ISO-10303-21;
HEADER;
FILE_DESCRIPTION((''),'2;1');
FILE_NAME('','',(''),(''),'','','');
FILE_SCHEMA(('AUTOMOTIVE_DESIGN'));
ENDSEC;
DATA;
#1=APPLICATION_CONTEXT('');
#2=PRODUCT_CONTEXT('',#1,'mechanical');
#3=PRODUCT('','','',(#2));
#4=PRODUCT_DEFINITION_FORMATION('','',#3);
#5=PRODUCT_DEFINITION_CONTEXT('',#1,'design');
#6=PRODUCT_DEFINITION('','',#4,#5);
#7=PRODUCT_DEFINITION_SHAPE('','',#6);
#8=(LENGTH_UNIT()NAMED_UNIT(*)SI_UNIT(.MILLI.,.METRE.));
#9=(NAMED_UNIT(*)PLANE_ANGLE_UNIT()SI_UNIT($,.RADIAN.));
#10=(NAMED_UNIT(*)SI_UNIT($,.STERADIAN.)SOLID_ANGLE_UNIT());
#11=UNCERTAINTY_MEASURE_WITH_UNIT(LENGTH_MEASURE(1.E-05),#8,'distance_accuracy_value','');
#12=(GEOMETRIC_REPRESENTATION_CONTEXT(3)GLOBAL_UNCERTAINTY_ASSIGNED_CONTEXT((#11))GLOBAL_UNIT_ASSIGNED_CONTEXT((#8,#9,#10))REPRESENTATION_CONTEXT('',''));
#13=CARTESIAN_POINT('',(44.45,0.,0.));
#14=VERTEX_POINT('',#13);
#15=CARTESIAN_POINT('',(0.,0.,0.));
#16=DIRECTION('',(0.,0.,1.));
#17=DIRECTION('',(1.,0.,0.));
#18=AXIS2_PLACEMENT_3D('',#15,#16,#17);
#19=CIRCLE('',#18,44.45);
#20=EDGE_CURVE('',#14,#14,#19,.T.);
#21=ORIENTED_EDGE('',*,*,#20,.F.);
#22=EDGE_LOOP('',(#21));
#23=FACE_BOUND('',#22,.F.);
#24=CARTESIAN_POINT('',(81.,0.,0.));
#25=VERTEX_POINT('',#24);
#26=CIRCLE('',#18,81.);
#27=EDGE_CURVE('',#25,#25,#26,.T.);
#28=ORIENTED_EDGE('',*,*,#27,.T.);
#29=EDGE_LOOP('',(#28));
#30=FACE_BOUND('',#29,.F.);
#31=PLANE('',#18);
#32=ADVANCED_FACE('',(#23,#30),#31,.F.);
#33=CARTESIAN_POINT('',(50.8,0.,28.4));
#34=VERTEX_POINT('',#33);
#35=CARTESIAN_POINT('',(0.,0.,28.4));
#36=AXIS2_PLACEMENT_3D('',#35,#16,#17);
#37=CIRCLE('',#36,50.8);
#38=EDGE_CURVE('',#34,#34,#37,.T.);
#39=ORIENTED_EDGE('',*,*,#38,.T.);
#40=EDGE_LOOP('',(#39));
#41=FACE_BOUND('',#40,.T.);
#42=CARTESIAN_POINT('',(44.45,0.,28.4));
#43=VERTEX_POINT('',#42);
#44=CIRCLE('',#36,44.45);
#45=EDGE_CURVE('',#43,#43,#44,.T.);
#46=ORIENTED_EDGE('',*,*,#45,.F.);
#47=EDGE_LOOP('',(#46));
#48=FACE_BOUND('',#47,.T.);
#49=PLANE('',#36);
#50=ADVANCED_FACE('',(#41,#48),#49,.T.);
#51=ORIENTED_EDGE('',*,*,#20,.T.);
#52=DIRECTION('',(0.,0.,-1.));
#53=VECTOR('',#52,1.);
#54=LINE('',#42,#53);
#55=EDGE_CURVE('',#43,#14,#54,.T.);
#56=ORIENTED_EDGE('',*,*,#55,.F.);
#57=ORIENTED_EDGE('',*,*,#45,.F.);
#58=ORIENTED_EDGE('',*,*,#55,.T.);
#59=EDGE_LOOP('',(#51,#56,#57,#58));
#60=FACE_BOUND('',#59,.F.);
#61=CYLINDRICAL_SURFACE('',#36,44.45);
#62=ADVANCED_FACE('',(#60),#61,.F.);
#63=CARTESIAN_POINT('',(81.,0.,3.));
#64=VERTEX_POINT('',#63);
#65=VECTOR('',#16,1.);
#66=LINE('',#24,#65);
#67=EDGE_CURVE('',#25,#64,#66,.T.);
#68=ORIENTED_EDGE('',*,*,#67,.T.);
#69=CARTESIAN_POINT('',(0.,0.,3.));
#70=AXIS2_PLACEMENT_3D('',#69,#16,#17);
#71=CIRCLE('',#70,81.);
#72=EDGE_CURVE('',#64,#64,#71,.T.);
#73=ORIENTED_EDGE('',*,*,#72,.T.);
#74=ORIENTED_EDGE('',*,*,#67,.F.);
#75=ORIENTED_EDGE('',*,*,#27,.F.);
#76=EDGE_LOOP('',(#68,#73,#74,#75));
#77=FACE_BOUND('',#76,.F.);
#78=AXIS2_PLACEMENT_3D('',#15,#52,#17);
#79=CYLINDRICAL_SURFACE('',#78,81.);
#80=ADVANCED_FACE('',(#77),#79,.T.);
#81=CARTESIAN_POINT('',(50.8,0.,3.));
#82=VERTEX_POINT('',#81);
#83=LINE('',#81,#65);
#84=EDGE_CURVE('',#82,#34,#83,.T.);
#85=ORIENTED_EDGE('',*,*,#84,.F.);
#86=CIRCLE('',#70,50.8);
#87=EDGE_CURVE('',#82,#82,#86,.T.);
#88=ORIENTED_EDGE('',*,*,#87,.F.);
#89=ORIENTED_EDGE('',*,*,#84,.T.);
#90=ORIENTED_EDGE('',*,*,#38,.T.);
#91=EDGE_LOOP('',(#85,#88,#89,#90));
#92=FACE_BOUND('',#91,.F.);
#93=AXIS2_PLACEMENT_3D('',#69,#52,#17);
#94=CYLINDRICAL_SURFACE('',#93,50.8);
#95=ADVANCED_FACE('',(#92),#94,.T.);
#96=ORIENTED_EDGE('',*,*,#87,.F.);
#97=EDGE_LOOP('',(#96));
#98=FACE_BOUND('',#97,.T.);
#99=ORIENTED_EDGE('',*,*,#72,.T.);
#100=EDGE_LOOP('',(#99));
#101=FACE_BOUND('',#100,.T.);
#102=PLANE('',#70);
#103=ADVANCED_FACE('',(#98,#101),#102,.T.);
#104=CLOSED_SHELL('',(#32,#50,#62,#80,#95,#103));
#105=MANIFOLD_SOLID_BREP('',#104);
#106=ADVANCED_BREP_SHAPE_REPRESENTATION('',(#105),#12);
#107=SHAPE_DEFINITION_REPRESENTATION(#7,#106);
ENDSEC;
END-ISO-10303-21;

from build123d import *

# Parameters (mm, degrees)
F0_R     = 81
F1_DEPTH = 3
F2_R     = 50.8
F3_DEPTH = 25.4
F4_R     = 44.45
F5_DEPTH = 28.401


with BuildPart() as f1:
    # F0 (on Top) → F1 (new body)
    with BuildSketch(Plane.XY):
        Circle(F0_R)
    extrude(amount=F1_DEPTH)

    # F2 (on face) → F3 (join)
    with BuildSketch(Plane.XY.offset(3)):
        Circle(F2_R)
    extrude(amount=F3_DEPTH)

    # F4 (on face) → F5 (cut, through all)
    with BuildSketch(Plane.XY.offset(28.4)):
        Circle(F4_R)
    extrude(amount=-F5_DEPTH, mode=Mode.SUBTRACT)


solid = f1.part
